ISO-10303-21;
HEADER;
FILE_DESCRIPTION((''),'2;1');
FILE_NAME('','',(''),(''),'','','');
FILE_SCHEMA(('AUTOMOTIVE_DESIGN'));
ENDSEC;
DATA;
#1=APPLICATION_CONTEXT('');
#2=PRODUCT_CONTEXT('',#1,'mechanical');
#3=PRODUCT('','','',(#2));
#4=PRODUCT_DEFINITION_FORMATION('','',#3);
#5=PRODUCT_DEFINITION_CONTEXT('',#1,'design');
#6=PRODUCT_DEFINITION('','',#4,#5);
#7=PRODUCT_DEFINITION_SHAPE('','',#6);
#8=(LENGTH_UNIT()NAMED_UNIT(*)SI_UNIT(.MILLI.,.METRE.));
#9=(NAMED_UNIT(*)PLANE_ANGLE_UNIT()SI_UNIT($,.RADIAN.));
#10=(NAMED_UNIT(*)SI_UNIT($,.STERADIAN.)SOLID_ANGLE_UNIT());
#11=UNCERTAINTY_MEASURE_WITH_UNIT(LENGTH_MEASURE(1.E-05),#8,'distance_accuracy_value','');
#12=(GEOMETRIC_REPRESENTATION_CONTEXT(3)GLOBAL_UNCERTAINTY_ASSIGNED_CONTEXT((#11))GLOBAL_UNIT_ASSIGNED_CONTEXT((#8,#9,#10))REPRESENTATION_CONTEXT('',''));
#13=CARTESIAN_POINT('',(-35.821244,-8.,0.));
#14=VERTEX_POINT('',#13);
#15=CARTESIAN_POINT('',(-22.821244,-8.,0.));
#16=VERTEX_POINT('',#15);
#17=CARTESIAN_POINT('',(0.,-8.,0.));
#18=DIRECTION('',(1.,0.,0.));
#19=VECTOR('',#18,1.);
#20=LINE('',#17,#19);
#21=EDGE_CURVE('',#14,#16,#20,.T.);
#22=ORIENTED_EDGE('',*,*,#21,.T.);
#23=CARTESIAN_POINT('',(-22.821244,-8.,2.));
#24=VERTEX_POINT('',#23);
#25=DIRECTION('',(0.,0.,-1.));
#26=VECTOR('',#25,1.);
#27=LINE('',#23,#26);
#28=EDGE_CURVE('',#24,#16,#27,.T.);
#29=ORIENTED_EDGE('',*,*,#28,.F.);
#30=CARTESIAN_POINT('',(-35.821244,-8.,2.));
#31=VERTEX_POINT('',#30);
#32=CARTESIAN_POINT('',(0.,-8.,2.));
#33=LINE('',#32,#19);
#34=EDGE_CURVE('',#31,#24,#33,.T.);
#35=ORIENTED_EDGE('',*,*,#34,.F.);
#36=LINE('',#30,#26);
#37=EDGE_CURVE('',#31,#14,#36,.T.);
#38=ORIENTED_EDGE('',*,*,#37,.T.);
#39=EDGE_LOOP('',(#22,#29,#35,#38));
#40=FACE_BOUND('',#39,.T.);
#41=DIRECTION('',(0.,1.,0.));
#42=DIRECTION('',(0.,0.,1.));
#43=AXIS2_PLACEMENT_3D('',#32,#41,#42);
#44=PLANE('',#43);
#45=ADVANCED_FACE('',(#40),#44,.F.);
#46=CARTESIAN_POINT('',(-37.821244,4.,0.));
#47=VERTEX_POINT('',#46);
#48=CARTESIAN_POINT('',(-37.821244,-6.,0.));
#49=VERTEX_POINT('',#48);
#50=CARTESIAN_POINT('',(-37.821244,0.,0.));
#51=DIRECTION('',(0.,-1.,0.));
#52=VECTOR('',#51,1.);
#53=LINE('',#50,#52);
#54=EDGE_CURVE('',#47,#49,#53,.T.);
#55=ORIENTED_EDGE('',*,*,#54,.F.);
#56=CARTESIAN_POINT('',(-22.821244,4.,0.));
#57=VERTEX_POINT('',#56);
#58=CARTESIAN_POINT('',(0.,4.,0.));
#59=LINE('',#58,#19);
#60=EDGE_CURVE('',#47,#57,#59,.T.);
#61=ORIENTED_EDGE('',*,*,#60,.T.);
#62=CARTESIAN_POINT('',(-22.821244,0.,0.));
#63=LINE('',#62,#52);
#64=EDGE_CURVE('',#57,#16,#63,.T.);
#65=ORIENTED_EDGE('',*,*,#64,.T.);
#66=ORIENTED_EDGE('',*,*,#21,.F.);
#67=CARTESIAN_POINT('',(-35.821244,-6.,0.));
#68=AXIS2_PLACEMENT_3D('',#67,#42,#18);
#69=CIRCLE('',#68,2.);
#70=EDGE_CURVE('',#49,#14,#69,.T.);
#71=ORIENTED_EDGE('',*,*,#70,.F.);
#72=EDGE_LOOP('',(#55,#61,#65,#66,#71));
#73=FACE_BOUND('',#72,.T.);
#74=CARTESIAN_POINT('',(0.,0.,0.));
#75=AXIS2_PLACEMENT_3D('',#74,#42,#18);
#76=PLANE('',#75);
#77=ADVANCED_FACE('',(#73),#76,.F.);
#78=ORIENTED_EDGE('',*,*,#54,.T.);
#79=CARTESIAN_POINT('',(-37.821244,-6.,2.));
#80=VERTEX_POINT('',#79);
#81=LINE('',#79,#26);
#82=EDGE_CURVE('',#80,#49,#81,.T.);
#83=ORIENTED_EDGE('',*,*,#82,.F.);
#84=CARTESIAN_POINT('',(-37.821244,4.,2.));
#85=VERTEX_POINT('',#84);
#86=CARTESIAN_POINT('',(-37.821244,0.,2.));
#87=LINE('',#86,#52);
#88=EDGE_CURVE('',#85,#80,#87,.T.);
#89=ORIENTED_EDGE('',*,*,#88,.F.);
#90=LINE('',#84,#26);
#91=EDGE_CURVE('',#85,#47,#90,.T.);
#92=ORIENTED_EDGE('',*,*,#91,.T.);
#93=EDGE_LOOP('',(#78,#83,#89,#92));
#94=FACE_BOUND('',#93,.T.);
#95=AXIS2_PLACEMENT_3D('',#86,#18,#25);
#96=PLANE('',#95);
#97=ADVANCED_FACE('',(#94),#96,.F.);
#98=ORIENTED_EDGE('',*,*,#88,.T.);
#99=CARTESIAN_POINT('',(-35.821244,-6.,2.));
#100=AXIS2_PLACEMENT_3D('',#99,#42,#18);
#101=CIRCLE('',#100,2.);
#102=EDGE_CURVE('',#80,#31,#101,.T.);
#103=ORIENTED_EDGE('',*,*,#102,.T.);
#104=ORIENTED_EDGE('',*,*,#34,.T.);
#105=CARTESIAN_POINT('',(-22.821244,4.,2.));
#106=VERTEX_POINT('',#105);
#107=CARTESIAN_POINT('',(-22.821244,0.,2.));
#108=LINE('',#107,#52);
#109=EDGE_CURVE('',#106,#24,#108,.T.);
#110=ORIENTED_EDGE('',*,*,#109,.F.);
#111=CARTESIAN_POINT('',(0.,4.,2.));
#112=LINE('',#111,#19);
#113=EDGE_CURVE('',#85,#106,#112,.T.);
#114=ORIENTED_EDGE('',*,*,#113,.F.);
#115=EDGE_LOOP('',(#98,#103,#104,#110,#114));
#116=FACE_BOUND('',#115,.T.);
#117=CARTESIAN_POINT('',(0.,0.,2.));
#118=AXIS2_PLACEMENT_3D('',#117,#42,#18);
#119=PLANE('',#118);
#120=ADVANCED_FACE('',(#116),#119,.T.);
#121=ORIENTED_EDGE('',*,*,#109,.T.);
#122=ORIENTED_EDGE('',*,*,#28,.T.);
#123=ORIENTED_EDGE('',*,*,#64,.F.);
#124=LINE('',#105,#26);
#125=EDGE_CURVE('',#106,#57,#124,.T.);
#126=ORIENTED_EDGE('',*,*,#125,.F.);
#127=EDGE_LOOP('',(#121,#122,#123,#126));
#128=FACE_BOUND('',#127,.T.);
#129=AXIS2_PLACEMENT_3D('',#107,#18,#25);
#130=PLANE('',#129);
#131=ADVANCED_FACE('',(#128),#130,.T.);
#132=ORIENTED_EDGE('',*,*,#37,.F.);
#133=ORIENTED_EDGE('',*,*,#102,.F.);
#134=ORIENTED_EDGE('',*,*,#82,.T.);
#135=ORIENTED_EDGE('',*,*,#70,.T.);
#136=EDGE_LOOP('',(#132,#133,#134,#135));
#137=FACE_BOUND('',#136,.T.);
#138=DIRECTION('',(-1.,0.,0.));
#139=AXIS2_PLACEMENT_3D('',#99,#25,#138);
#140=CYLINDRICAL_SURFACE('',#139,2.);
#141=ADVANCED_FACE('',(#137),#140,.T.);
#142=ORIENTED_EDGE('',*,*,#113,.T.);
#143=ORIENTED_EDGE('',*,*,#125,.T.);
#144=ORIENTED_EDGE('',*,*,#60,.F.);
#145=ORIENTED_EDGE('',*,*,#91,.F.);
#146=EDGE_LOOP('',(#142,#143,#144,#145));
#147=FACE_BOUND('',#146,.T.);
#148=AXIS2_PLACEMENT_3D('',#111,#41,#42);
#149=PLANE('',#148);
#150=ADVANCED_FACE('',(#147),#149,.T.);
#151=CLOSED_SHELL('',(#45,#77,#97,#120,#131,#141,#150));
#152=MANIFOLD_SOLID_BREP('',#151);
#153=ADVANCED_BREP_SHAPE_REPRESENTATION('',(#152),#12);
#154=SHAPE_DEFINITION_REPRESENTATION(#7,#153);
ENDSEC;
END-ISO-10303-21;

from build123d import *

# Parameters (mm, degrees)
BOSS_EXTRUDE1_DEPTH = 2


with BuildPart() as part:
    # Sketch1 → Boss-Extrude1 (new body)
    with BuildSketch(Plane.XY):
        with BuildLine():
            Line((-37.821244, 0.214456948), (-37.821244, 0))
            Line((-37.821244, 0), (-37.821244, -6))
            ThreePointArc((-37.821244, -6), (-37.235457562, -7.414213562), (-35.821244, -8))
            Line((-35.821244, -8), (-22.821244, -8))
            Line((-22.821244, -8), (-22.821244, 4))
            Line((-22.821244, 4), (-37.821244, 4))
            Line((-37.821244, 4), (-37.821244, 1))
            Line((-37.821244, 1), (-37.821244, 0.587709258))
            Line((-37.821244, 0.587709258), (-37.821244, 0.214456948))
        make_face()
    extrude(amount=BOSS_EXTRUDE1_DEPTH)


solid = part.part
